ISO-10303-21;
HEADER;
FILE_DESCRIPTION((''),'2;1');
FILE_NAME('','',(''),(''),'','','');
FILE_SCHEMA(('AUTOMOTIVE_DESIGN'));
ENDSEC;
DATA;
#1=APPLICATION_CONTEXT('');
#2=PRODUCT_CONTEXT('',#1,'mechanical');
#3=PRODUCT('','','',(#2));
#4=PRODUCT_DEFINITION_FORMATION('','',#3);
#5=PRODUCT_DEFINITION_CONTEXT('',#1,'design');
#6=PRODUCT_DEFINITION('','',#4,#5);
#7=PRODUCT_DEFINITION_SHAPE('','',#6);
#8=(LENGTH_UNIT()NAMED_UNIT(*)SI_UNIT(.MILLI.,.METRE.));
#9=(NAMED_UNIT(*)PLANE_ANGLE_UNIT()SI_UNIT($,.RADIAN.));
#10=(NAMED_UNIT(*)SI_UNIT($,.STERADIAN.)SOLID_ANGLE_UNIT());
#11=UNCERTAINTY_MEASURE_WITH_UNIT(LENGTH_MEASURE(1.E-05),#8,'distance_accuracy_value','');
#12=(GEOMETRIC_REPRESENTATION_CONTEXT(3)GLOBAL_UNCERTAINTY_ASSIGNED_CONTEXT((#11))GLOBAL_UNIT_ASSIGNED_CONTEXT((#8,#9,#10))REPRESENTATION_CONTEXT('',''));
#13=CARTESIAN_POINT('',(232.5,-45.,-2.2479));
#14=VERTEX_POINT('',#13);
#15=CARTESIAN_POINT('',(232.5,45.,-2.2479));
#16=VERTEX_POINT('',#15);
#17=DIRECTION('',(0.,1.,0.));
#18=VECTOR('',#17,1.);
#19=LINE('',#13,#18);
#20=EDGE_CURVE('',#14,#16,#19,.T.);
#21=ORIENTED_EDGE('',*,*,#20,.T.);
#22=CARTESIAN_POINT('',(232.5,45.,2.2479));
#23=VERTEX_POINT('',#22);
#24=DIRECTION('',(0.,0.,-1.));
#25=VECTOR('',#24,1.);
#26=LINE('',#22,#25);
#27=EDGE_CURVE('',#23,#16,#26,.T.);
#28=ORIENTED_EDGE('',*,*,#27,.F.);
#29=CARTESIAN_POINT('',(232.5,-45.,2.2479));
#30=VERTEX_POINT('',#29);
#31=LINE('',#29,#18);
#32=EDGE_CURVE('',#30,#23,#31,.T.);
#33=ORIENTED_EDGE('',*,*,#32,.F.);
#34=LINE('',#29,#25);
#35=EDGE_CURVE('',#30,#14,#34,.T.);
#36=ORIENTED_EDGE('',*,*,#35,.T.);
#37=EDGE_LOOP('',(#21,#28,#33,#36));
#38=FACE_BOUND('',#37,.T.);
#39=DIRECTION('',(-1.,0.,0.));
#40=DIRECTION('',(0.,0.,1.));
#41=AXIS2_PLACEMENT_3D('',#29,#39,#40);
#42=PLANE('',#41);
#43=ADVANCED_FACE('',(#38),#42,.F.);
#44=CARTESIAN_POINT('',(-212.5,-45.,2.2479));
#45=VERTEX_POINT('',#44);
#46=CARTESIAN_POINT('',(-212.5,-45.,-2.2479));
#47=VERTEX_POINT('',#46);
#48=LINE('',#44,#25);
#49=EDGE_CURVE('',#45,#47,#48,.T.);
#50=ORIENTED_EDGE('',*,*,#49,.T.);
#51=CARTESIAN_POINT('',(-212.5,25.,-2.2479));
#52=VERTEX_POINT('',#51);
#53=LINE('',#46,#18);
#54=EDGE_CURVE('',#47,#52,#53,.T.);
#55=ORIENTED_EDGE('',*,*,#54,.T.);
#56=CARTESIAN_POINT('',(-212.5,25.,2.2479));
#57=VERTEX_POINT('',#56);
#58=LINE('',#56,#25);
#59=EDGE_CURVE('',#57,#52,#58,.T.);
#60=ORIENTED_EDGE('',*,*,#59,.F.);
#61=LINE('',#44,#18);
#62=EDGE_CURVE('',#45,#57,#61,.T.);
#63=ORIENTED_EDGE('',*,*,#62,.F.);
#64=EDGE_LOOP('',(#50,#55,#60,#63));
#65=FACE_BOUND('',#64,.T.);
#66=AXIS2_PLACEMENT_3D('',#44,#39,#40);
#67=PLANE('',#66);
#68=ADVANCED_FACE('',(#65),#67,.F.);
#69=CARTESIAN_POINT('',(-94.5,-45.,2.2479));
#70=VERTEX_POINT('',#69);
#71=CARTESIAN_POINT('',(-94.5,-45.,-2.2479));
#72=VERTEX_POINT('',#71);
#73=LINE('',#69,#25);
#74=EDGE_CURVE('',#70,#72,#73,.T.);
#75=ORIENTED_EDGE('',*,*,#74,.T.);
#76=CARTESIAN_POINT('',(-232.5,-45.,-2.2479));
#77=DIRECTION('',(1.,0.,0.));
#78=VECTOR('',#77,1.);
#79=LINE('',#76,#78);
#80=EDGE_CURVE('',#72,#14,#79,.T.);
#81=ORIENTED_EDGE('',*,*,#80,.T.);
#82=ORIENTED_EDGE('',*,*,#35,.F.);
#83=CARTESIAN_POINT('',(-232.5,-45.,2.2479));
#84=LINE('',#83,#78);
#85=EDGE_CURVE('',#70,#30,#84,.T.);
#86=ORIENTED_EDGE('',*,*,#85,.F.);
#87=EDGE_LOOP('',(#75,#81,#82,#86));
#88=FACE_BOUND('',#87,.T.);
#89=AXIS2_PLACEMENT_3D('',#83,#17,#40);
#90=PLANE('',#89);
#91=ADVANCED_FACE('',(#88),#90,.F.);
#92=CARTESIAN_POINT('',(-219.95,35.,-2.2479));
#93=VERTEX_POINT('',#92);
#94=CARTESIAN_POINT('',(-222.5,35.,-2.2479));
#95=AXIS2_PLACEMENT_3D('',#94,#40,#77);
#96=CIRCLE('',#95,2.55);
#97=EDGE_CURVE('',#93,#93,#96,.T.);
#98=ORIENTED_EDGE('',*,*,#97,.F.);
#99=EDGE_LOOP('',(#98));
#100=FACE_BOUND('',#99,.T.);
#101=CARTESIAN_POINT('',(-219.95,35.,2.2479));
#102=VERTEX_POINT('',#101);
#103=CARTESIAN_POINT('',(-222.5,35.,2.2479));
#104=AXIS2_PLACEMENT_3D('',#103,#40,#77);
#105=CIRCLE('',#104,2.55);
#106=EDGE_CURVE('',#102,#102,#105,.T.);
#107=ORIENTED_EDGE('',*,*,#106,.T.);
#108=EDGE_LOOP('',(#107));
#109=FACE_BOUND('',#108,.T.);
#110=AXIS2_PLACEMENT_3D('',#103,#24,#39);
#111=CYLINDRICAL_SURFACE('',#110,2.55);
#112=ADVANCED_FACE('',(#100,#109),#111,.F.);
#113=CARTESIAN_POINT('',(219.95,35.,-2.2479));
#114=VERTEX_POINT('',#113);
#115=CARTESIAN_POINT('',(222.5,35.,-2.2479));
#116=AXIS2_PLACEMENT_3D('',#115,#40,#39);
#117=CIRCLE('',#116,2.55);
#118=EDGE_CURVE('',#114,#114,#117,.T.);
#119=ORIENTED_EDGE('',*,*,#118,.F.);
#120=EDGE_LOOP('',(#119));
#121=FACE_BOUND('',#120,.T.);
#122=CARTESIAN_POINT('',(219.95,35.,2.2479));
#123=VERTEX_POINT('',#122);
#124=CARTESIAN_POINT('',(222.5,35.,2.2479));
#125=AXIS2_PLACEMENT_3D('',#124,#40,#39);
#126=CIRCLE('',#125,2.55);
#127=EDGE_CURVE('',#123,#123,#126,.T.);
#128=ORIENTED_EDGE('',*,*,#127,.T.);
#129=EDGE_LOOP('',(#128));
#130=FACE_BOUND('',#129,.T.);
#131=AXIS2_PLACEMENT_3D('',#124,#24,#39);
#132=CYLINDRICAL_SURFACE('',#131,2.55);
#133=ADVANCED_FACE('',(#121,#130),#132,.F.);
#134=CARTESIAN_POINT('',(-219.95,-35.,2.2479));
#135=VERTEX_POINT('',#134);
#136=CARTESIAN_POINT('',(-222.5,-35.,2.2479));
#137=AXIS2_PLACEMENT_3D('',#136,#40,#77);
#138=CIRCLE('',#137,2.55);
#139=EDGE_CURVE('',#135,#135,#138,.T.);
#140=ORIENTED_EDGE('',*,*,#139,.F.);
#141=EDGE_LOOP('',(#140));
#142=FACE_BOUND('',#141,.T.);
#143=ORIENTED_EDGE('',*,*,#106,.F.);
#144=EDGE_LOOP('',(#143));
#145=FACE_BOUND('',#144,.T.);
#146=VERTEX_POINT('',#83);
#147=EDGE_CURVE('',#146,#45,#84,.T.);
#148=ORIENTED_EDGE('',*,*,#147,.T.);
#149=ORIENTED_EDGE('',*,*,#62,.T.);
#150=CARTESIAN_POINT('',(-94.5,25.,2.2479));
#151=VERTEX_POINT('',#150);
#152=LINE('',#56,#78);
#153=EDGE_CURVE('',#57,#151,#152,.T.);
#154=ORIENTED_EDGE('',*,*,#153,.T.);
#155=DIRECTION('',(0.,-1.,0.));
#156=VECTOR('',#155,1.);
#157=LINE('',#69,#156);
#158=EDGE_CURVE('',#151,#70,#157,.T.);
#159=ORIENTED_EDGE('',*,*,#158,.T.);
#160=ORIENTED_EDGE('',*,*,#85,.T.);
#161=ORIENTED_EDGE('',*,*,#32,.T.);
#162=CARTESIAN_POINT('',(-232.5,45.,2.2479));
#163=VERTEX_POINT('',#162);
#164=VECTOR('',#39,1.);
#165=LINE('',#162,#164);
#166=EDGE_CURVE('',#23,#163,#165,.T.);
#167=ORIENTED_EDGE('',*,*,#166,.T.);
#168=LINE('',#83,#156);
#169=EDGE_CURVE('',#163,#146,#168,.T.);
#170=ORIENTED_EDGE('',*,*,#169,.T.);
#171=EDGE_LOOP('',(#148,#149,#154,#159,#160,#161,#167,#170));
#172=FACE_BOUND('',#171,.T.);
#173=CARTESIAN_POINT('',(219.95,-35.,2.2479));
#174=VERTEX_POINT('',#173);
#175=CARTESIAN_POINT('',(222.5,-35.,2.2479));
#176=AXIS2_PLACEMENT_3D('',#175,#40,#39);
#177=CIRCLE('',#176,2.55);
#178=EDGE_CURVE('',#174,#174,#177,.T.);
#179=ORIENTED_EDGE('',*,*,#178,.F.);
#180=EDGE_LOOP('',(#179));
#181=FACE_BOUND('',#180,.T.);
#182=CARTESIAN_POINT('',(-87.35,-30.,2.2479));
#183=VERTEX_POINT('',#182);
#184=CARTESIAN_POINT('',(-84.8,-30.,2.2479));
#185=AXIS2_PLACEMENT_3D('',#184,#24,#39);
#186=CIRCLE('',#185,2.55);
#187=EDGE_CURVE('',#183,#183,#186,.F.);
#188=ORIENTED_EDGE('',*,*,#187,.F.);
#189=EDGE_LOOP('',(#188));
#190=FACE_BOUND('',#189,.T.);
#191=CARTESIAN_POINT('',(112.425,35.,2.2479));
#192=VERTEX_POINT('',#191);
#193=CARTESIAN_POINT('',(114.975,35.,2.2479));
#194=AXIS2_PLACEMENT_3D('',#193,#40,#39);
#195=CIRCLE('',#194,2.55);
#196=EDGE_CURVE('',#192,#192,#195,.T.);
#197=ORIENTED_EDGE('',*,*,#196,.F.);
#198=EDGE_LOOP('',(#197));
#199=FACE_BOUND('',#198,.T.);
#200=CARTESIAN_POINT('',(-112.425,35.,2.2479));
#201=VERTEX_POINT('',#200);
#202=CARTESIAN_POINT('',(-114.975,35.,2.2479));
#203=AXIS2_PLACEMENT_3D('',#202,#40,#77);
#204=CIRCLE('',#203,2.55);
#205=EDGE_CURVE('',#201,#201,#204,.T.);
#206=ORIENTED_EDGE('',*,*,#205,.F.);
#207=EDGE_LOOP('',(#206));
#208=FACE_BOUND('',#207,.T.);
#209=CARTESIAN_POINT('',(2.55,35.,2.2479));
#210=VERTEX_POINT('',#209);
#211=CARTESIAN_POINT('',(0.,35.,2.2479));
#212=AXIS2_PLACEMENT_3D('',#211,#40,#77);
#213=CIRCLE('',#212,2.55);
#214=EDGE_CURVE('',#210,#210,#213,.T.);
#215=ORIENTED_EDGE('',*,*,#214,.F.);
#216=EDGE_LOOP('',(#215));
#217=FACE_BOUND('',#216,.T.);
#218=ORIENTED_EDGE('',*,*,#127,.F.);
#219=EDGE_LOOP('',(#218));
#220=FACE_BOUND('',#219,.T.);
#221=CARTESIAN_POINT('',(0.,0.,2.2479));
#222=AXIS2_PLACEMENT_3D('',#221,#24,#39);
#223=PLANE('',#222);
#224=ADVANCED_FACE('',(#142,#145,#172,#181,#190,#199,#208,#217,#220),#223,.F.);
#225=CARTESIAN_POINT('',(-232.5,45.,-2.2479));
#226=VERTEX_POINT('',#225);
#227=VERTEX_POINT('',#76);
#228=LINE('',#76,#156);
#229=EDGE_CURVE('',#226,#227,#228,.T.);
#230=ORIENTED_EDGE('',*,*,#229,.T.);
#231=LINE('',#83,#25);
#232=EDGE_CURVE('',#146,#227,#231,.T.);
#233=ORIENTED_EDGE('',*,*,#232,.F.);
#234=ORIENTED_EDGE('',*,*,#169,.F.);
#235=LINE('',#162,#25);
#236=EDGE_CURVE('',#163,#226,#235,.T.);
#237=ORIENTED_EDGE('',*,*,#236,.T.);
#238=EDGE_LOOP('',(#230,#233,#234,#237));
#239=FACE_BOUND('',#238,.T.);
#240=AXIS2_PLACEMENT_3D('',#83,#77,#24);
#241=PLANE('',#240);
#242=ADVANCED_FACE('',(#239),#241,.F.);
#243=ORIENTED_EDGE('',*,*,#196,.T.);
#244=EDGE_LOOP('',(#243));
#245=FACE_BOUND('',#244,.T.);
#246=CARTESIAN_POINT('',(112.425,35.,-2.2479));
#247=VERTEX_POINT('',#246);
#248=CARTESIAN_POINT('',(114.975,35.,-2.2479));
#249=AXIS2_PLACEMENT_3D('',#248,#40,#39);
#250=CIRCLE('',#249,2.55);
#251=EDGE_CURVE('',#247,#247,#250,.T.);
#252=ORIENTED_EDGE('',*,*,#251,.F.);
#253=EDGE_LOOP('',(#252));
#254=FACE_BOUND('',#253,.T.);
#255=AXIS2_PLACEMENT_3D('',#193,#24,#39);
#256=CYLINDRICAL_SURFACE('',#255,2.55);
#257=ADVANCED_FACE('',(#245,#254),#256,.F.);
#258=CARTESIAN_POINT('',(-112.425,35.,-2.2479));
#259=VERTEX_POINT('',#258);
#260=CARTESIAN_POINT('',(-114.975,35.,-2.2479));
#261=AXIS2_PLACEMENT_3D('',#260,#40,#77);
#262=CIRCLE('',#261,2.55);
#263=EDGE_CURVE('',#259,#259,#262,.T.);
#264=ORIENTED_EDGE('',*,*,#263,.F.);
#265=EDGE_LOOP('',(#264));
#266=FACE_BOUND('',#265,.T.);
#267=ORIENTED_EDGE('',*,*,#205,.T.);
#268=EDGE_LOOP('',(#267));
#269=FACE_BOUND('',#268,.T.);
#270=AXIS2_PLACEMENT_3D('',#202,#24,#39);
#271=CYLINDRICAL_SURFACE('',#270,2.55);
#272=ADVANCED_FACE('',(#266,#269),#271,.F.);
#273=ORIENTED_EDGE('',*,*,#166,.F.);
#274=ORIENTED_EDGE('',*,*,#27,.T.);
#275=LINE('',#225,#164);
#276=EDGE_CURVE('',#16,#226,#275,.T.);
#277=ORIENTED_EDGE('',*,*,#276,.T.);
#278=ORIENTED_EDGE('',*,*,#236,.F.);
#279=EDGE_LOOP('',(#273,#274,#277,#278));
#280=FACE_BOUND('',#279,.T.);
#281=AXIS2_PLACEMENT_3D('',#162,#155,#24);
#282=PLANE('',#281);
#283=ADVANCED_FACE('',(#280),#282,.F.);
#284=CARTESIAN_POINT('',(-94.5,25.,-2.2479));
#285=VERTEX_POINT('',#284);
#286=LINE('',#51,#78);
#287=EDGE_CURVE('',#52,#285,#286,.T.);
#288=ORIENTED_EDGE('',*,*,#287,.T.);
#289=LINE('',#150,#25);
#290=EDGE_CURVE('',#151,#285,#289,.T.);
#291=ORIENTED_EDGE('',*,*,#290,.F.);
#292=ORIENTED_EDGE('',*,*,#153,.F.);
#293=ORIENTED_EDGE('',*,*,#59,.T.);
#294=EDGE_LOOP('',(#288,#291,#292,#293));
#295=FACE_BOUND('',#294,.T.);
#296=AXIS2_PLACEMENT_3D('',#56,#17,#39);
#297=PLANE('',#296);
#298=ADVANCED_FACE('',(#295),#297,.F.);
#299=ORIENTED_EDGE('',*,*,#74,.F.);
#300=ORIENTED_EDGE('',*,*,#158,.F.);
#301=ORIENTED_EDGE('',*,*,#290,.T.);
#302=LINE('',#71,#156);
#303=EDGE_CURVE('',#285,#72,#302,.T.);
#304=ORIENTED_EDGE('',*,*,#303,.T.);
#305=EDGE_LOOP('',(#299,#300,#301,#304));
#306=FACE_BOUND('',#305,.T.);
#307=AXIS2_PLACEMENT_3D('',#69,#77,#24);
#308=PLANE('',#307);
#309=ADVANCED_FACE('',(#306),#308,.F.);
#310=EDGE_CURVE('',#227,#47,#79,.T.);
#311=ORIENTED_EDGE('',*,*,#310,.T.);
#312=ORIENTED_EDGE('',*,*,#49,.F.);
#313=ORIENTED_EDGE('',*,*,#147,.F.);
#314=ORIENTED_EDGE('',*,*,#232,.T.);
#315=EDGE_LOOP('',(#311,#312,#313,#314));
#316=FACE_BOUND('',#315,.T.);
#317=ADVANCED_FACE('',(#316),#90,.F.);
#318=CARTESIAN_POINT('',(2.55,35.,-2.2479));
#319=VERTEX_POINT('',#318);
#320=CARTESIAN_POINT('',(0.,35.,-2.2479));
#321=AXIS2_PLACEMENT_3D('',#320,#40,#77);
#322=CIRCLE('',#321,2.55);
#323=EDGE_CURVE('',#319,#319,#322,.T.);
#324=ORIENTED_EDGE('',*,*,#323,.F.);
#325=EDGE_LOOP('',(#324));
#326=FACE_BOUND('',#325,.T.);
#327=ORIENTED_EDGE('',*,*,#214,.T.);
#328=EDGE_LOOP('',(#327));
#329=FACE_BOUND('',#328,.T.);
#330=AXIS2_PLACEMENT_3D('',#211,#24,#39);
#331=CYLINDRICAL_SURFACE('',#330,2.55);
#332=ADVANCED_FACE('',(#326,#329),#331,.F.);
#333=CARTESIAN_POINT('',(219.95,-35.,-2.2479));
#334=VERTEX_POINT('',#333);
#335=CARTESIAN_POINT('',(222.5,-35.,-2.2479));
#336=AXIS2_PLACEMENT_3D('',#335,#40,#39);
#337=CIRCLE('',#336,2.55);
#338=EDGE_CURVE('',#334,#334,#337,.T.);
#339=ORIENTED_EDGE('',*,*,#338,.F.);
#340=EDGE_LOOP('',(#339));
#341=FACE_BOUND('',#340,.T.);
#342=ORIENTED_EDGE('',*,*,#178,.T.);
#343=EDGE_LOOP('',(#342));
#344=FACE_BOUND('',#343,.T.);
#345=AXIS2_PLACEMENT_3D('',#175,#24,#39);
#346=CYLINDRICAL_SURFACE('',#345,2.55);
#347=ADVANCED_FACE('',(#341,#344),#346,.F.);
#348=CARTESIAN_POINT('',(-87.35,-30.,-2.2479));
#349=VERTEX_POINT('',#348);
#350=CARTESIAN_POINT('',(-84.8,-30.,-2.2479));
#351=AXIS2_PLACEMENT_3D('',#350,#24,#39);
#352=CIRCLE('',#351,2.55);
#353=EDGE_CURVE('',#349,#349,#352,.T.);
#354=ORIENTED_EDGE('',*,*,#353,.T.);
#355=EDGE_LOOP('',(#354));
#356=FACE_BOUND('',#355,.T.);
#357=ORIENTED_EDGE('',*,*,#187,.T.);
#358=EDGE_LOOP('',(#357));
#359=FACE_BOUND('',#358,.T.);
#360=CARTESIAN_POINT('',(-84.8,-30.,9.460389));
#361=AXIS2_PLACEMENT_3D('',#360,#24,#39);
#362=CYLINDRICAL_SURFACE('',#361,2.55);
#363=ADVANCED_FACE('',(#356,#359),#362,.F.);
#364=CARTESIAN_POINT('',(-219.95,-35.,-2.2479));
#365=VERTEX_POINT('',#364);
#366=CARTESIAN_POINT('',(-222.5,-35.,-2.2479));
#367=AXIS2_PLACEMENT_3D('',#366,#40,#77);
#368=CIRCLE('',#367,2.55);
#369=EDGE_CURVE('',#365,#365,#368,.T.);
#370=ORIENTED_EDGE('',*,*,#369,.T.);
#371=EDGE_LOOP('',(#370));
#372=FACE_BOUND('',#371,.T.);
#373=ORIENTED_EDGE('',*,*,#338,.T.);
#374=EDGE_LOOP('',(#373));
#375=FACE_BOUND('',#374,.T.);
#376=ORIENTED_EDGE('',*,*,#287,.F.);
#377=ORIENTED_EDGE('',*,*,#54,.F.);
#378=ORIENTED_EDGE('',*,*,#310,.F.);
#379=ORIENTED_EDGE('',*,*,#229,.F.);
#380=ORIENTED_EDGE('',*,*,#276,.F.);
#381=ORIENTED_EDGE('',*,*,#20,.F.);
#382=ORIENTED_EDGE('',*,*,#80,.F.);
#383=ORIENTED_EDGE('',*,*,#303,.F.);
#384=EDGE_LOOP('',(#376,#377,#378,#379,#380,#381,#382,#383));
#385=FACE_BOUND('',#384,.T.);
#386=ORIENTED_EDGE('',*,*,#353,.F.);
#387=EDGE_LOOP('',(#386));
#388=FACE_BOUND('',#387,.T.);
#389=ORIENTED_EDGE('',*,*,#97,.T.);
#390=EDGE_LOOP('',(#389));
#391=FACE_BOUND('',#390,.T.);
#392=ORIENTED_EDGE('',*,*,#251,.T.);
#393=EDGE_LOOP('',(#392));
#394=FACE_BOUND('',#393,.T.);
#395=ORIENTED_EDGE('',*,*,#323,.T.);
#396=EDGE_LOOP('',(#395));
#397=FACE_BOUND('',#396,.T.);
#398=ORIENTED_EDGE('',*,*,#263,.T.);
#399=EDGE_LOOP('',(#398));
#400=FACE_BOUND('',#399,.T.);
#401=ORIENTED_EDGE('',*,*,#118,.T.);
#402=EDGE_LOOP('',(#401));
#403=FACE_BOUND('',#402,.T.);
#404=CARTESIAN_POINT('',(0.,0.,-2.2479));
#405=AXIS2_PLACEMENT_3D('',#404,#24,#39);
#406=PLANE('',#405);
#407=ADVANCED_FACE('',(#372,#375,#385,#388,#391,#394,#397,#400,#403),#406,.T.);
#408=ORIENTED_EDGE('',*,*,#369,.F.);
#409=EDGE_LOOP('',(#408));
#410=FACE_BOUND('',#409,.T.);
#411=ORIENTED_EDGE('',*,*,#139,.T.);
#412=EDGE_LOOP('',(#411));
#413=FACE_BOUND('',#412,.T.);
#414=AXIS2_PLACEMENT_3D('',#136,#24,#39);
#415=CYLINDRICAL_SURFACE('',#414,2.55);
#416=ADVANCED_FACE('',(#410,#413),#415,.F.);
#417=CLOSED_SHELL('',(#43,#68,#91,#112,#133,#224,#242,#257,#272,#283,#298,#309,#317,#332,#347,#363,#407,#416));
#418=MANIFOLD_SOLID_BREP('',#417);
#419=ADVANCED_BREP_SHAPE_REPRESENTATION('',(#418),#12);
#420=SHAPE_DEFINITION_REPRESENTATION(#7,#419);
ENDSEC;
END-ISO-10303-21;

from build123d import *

# Parameters (mm, degrees)
SKETCH1_W           = 465
SKETCH1_H           = 90
SKETCH1_R           = 2.55
BOSS_EXTRUDE1_DEPTH = 2.2479
SKETCH5_W           = 118
SKETCH5_H           = 70
CUT_EXTRUDE2_DEPTH  = 237.85747237
SKETCH7_R           = 2.55
CUT_EXTRUDE3_DEPTH  = 4.4958


with BuildPart() as part:
    # Sketch1 → Boss-Extrude1 (new, symmetric)
    with BuildSketch(Plane.XY):
        Rectangle(SKETCH1_W, SKETCH1_H)
        with Locations((-222.5, 35)):
            Circle(SKETCH1_R, mode=Mode.SUBTRACT)
        with Locations((-222.5, -35)):
            Circle(SKETCH1_R, mode=Mode.SUBTRACT)
        with Locations((0, 35)):
            Circle(SKETCH1_R, mode=Mode.SUBTRACT)
        with Locations((-114.975, 35)):
            Circle(SKETCH1_R, mode=Mode.SUBTRACT)
        with Locations(Location((222.5, -35, 0), (0, 0, 180))):
            Circle(SKETCH1_R, mode=Mode.SUBTRACT)
        with Locations(Location((222.5, 35, 0), (0, 0, 180))):
            Circle(SKETCH1_R, mode=Mode.SUBTRACT)
        with Locations(Location((114.975, 35, 0), (0, 0, 180))):
            Circle(SKETCH1_R, mode=Mode.SUBTRACT)
    extrude(amount=BOSS_EXTRUDE1_DEPTH, both=True)

    # Sketch5 → Cut-Extrude2 (cut, through all)
    with BuildSketch(Plane(origin=(0, 0, -2.2479), x_dir=(-1, 0, 0), z_dir=(0, 0, -1))):
        with Locations((153.5, -10)):
            Rectangle(SKETCH5_W, SKETCH5_H)
    extrude(amount=-CUT_EXTRUDE2_DEPTH, mode=Mode.SUBTRACT)

    # Sketch7 → Cut-Extrude3 (cut)
    with BuildSketch(Plane(origin=(0, 0, -2.2479), x_dir=(-1, 0, 0), z_dir=(0, 0, -1))):
        with Locations((84.8, -30)):
            Circle(SKETCH7_R)
    extrude(amount=-CUT_EXTRUDE3_DEPTH, mode=Mode.SUBTRACT)


solid = part.part
